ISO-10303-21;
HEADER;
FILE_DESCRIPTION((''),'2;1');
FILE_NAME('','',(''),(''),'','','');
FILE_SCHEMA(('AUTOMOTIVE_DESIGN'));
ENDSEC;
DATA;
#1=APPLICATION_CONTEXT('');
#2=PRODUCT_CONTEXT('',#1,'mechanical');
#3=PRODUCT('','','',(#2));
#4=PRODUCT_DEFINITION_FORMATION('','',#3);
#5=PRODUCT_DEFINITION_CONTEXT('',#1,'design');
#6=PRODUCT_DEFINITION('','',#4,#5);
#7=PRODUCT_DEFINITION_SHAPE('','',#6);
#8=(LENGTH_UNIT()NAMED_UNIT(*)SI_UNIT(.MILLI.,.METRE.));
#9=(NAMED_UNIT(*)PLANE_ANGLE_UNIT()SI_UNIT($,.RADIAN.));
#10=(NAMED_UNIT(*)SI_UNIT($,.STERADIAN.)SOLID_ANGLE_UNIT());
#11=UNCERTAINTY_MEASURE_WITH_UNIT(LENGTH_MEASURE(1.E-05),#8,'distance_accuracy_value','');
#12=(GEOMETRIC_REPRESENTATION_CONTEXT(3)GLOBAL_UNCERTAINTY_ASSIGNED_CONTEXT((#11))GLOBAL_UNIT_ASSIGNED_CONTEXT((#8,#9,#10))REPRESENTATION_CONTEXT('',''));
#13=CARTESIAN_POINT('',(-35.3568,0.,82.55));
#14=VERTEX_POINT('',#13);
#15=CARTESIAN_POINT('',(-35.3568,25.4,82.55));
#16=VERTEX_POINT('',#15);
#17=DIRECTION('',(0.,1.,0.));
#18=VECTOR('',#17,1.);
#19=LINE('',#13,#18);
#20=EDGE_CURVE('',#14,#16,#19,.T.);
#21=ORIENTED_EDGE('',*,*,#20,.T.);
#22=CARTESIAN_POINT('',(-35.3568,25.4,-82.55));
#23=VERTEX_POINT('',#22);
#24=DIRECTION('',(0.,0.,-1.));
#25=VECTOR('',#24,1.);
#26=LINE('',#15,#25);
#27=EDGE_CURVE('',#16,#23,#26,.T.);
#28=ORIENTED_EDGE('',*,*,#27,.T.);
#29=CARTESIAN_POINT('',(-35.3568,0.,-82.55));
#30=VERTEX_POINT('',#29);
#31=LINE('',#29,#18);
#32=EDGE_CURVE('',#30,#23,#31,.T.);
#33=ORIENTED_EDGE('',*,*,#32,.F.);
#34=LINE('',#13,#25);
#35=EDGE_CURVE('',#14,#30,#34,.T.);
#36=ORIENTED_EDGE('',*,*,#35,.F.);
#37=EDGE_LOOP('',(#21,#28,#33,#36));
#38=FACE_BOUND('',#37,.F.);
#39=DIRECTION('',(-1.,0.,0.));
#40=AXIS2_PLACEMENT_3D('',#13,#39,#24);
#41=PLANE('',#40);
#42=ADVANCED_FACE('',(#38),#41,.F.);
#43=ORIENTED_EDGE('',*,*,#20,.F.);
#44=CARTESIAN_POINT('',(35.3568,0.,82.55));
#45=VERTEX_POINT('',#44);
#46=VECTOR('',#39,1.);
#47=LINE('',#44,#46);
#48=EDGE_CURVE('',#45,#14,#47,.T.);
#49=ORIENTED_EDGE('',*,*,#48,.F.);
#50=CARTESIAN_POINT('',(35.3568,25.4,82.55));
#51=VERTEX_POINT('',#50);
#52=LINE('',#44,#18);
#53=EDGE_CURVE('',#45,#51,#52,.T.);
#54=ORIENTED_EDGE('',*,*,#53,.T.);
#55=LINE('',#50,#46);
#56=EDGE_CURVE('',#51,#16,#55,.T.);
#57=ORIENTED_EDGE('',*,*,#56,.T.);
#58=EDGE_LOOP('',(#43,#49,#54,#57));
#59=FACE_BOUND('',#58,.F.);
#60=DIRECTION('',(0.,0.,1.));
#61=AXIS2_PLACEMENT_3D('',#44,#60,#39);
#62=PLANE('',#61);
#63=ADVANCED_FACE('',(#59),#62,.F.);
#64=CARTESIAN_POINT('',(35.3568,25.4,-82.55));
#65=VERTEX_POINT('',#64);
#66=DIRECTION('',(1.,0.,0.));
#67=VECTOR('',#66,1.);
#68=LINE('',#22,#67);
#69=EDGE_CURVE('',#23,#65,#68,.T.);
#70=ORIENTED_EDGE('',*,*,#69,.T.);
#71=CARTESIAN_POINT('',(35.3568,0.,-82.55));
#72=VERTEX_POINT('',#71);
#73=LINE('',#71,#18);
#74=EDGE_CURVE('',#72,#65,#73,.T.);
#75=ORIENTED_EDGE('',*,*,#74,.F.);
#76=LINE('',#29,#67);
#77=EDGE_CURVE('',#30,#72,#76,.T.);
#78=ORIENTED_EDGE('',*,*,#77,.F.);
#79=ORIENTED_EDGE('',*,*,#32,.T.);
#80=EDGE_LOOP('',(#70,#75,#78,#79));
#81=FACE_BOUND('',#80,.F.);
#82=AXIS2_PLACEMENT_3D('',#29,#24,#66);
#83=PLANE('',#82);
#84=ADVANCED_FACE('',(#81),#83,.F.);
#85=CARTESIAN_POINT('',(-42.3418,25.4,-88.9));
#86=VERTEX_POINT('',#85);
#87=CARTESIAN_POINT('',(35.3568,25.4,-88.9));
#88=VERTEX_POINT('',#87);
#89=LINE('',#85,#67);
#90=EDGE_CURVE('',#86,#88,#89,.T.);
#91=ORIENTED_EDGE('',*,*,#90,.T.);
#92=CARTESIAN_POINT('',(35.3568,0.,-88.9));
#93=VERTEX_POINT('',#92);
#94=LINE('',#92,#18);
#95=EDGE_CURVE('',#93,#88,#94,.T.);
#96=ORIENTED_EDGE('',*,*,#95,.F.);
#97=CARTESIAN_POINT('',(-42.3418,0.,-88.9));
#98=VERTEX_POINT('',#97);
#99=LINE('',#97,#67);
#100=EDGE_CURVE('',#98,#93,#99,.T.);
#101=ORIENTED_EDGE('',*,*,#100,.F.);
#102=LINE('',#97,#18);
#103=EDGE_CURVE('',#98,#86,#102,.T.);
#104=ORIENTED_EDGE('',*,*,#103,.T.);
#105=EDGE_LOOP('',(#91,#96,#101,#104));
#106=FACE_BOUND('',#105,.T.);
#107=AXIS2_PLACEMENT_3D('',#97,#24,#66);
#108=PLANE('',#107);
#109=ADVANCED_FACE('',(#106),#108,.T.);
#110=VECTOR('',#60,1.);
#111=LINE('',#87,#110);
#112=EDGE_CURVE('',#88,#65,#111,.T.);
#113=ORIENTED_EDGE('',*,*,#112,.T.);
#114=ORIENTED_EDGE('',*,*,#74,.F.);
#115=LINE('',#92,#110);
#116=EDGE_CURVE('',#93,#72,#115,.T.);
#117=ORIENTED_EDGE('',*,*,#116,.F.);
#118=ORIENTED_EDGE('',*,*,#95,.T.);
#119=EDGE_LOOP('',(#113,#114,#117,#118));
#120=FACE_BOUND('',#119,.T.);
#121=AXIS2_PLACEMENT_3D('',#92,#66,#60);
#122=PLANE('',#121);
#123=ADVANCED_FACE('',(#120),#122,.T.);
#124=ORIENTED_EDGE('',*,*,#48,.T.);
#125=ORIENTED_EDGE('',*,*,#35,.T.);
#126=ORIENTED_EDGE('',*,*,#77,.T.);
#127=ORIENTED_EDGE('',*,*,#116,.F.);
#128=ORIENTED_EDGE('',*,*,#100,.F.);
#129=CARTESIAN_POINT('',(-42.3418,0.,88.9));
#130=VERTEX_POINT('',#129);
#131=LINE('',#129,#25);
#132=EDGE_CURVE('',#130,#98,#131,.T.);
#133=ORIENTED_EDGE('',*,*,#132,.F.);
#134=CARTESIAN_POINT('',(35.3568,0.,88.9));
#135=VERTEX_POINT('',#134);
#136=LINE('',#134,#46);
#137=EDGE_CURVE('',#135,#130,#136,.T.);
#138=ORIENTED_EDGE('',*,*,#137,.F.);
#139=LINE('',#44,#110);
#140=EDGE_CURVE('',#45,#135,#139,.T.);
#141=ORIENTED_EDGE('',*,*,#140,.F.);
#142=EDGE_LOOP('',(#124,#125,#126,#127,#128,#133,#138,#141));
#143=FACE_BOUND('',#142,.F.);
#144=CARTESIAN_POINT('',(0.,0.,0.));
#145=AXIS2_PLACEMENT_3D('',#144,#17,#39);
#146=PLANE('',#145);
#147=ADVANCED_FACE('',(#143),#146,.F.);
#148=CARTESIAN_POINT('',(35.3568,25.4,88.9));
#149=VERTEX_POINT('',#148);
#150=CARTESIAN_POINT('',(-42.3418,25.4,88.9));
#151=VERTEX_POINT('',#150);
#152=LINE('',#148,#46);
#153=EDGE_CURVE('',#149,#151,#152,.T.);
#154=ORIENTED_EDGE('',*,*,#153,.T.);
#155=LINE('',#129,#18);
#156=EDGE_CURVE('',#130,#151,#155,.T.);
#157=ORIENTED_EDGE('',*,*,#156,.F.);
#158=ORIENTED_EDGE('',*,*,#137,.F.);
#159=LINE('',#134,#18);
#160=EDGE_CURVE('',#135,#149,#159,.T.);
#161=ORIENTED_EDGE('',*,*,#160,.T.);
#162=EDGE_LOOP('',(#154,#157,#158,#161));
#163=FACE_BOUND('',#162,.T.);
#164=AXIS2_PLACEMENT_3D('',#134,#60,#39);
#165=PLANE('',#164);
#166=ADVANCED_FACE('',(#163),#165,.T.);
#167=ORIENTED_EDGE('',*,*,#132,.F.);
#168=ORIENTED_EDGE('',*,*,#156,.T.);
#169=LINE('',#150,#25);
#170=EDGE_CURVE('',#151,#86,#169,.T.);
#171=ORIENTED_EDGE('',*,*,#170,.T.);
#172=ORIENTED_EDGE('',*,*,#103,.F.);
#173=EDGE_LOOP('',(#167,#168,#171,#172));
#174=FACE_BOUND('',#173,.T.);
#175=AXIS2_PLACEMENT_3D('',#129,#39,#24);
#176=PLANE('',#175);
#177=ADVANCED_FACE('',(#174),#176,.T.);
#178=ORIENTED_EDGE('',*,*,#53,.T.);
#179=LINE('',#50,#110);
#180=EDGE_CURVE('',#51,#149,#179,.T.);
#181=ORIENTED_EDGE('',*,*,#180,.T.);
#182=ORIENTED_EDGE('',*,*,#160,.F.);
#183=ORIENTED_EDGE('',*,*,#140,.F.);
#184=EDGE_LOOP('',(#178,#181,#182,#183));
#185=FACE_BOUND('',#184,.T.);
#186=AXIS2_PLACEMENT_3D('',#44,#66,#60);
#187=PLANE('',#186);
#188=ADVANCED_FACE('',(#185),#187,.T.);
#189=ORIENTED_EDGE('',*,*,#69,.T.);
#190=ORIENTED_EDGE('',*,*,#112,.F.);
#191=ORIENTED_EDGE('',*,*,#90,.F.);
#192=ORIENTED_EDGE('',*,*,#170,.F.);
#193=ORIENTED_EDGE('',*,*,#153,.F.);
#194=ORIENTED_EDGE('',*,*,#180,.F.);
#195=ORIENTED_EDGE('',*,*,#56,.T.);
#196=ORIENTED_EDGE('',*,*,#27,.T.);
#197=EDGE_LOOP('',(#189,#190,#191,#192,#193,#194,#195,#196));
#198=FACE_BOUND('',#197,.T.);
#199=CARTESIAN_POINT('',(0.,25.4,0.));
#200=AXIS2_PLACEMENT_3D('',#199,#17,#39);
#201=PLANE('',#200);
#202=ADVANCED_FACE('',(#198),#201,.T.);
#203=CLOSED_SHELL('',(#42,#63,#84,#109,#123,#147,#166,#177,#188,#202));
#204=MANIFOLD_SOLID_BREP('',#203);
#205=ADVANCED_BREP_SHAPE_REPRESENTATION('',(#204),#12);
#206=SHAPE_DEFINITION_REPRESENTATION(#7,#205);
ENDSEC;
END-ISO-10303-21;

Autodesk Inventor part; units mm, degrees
ref_plane "YZ Plane" through (0, 0, 0) normal (1, 0, 0) x (0, 1, 0)
ref_plane "XZ Plane" through (0, 0, 0) normal (0, 1, 0) x (-1, 0, 0)
ref_plane "XY Plane" through (0, 0, 0) normal (0, 0, 1) x (1, 0, 0)
sketch "Sketch1" plane through (0, 0, 0) normal (0, 1, 0) x (-1, 0, 0)
  line L0 (-35.3568, 82.55) -> (35.3568, 82.55)
  line L1 (35.3568, 82.55) -> (35.3568, -82.55)
  line L2 (35.3568, -82.55) -> (-35.3568, -82.55)
  line L3 (-35.3568, 82.55) -> (35.3568, -82.55) construction
  line L4 (35.3568, 82.55) -> (-35.3568, -82.55) construction
  line L5 (-35.3568, 88.9) -> (42.3418, 88.9)
  line L6 (42.3418, 88.9) -> (42.3418, -88.9)
  line L7 (42.3418, -88.9) -> (-35.3568, -88.9)
  line L8 (42.3418, 88.9) -> (-35.3568, -88.9) construction
  line L9 (42.3418, -88.9) -> (-35.3568, 88.9) construction
  line L10 (3.4925, 0) -> (42.3418, 0) construction
  line L11 (-35.3568, -88.9) -> (-35.3568, -82.55)
  line L12 (-35.3568, 82.55) -> (-35.3568, 88.9)
  point P0 (0, 0)
  point P1 (35.3568, 0)
  dimension "d1" = 165.1
  dimension "d2" = 177.8
  dimension "d3" = 77.6986
  dimension "d4" = 70.7136
  dimension "d5" = 70.7136
extrude "Extrusion1" add sketch "Sketch1" along normal blind 25.4
properties part number "BoxHolders"
